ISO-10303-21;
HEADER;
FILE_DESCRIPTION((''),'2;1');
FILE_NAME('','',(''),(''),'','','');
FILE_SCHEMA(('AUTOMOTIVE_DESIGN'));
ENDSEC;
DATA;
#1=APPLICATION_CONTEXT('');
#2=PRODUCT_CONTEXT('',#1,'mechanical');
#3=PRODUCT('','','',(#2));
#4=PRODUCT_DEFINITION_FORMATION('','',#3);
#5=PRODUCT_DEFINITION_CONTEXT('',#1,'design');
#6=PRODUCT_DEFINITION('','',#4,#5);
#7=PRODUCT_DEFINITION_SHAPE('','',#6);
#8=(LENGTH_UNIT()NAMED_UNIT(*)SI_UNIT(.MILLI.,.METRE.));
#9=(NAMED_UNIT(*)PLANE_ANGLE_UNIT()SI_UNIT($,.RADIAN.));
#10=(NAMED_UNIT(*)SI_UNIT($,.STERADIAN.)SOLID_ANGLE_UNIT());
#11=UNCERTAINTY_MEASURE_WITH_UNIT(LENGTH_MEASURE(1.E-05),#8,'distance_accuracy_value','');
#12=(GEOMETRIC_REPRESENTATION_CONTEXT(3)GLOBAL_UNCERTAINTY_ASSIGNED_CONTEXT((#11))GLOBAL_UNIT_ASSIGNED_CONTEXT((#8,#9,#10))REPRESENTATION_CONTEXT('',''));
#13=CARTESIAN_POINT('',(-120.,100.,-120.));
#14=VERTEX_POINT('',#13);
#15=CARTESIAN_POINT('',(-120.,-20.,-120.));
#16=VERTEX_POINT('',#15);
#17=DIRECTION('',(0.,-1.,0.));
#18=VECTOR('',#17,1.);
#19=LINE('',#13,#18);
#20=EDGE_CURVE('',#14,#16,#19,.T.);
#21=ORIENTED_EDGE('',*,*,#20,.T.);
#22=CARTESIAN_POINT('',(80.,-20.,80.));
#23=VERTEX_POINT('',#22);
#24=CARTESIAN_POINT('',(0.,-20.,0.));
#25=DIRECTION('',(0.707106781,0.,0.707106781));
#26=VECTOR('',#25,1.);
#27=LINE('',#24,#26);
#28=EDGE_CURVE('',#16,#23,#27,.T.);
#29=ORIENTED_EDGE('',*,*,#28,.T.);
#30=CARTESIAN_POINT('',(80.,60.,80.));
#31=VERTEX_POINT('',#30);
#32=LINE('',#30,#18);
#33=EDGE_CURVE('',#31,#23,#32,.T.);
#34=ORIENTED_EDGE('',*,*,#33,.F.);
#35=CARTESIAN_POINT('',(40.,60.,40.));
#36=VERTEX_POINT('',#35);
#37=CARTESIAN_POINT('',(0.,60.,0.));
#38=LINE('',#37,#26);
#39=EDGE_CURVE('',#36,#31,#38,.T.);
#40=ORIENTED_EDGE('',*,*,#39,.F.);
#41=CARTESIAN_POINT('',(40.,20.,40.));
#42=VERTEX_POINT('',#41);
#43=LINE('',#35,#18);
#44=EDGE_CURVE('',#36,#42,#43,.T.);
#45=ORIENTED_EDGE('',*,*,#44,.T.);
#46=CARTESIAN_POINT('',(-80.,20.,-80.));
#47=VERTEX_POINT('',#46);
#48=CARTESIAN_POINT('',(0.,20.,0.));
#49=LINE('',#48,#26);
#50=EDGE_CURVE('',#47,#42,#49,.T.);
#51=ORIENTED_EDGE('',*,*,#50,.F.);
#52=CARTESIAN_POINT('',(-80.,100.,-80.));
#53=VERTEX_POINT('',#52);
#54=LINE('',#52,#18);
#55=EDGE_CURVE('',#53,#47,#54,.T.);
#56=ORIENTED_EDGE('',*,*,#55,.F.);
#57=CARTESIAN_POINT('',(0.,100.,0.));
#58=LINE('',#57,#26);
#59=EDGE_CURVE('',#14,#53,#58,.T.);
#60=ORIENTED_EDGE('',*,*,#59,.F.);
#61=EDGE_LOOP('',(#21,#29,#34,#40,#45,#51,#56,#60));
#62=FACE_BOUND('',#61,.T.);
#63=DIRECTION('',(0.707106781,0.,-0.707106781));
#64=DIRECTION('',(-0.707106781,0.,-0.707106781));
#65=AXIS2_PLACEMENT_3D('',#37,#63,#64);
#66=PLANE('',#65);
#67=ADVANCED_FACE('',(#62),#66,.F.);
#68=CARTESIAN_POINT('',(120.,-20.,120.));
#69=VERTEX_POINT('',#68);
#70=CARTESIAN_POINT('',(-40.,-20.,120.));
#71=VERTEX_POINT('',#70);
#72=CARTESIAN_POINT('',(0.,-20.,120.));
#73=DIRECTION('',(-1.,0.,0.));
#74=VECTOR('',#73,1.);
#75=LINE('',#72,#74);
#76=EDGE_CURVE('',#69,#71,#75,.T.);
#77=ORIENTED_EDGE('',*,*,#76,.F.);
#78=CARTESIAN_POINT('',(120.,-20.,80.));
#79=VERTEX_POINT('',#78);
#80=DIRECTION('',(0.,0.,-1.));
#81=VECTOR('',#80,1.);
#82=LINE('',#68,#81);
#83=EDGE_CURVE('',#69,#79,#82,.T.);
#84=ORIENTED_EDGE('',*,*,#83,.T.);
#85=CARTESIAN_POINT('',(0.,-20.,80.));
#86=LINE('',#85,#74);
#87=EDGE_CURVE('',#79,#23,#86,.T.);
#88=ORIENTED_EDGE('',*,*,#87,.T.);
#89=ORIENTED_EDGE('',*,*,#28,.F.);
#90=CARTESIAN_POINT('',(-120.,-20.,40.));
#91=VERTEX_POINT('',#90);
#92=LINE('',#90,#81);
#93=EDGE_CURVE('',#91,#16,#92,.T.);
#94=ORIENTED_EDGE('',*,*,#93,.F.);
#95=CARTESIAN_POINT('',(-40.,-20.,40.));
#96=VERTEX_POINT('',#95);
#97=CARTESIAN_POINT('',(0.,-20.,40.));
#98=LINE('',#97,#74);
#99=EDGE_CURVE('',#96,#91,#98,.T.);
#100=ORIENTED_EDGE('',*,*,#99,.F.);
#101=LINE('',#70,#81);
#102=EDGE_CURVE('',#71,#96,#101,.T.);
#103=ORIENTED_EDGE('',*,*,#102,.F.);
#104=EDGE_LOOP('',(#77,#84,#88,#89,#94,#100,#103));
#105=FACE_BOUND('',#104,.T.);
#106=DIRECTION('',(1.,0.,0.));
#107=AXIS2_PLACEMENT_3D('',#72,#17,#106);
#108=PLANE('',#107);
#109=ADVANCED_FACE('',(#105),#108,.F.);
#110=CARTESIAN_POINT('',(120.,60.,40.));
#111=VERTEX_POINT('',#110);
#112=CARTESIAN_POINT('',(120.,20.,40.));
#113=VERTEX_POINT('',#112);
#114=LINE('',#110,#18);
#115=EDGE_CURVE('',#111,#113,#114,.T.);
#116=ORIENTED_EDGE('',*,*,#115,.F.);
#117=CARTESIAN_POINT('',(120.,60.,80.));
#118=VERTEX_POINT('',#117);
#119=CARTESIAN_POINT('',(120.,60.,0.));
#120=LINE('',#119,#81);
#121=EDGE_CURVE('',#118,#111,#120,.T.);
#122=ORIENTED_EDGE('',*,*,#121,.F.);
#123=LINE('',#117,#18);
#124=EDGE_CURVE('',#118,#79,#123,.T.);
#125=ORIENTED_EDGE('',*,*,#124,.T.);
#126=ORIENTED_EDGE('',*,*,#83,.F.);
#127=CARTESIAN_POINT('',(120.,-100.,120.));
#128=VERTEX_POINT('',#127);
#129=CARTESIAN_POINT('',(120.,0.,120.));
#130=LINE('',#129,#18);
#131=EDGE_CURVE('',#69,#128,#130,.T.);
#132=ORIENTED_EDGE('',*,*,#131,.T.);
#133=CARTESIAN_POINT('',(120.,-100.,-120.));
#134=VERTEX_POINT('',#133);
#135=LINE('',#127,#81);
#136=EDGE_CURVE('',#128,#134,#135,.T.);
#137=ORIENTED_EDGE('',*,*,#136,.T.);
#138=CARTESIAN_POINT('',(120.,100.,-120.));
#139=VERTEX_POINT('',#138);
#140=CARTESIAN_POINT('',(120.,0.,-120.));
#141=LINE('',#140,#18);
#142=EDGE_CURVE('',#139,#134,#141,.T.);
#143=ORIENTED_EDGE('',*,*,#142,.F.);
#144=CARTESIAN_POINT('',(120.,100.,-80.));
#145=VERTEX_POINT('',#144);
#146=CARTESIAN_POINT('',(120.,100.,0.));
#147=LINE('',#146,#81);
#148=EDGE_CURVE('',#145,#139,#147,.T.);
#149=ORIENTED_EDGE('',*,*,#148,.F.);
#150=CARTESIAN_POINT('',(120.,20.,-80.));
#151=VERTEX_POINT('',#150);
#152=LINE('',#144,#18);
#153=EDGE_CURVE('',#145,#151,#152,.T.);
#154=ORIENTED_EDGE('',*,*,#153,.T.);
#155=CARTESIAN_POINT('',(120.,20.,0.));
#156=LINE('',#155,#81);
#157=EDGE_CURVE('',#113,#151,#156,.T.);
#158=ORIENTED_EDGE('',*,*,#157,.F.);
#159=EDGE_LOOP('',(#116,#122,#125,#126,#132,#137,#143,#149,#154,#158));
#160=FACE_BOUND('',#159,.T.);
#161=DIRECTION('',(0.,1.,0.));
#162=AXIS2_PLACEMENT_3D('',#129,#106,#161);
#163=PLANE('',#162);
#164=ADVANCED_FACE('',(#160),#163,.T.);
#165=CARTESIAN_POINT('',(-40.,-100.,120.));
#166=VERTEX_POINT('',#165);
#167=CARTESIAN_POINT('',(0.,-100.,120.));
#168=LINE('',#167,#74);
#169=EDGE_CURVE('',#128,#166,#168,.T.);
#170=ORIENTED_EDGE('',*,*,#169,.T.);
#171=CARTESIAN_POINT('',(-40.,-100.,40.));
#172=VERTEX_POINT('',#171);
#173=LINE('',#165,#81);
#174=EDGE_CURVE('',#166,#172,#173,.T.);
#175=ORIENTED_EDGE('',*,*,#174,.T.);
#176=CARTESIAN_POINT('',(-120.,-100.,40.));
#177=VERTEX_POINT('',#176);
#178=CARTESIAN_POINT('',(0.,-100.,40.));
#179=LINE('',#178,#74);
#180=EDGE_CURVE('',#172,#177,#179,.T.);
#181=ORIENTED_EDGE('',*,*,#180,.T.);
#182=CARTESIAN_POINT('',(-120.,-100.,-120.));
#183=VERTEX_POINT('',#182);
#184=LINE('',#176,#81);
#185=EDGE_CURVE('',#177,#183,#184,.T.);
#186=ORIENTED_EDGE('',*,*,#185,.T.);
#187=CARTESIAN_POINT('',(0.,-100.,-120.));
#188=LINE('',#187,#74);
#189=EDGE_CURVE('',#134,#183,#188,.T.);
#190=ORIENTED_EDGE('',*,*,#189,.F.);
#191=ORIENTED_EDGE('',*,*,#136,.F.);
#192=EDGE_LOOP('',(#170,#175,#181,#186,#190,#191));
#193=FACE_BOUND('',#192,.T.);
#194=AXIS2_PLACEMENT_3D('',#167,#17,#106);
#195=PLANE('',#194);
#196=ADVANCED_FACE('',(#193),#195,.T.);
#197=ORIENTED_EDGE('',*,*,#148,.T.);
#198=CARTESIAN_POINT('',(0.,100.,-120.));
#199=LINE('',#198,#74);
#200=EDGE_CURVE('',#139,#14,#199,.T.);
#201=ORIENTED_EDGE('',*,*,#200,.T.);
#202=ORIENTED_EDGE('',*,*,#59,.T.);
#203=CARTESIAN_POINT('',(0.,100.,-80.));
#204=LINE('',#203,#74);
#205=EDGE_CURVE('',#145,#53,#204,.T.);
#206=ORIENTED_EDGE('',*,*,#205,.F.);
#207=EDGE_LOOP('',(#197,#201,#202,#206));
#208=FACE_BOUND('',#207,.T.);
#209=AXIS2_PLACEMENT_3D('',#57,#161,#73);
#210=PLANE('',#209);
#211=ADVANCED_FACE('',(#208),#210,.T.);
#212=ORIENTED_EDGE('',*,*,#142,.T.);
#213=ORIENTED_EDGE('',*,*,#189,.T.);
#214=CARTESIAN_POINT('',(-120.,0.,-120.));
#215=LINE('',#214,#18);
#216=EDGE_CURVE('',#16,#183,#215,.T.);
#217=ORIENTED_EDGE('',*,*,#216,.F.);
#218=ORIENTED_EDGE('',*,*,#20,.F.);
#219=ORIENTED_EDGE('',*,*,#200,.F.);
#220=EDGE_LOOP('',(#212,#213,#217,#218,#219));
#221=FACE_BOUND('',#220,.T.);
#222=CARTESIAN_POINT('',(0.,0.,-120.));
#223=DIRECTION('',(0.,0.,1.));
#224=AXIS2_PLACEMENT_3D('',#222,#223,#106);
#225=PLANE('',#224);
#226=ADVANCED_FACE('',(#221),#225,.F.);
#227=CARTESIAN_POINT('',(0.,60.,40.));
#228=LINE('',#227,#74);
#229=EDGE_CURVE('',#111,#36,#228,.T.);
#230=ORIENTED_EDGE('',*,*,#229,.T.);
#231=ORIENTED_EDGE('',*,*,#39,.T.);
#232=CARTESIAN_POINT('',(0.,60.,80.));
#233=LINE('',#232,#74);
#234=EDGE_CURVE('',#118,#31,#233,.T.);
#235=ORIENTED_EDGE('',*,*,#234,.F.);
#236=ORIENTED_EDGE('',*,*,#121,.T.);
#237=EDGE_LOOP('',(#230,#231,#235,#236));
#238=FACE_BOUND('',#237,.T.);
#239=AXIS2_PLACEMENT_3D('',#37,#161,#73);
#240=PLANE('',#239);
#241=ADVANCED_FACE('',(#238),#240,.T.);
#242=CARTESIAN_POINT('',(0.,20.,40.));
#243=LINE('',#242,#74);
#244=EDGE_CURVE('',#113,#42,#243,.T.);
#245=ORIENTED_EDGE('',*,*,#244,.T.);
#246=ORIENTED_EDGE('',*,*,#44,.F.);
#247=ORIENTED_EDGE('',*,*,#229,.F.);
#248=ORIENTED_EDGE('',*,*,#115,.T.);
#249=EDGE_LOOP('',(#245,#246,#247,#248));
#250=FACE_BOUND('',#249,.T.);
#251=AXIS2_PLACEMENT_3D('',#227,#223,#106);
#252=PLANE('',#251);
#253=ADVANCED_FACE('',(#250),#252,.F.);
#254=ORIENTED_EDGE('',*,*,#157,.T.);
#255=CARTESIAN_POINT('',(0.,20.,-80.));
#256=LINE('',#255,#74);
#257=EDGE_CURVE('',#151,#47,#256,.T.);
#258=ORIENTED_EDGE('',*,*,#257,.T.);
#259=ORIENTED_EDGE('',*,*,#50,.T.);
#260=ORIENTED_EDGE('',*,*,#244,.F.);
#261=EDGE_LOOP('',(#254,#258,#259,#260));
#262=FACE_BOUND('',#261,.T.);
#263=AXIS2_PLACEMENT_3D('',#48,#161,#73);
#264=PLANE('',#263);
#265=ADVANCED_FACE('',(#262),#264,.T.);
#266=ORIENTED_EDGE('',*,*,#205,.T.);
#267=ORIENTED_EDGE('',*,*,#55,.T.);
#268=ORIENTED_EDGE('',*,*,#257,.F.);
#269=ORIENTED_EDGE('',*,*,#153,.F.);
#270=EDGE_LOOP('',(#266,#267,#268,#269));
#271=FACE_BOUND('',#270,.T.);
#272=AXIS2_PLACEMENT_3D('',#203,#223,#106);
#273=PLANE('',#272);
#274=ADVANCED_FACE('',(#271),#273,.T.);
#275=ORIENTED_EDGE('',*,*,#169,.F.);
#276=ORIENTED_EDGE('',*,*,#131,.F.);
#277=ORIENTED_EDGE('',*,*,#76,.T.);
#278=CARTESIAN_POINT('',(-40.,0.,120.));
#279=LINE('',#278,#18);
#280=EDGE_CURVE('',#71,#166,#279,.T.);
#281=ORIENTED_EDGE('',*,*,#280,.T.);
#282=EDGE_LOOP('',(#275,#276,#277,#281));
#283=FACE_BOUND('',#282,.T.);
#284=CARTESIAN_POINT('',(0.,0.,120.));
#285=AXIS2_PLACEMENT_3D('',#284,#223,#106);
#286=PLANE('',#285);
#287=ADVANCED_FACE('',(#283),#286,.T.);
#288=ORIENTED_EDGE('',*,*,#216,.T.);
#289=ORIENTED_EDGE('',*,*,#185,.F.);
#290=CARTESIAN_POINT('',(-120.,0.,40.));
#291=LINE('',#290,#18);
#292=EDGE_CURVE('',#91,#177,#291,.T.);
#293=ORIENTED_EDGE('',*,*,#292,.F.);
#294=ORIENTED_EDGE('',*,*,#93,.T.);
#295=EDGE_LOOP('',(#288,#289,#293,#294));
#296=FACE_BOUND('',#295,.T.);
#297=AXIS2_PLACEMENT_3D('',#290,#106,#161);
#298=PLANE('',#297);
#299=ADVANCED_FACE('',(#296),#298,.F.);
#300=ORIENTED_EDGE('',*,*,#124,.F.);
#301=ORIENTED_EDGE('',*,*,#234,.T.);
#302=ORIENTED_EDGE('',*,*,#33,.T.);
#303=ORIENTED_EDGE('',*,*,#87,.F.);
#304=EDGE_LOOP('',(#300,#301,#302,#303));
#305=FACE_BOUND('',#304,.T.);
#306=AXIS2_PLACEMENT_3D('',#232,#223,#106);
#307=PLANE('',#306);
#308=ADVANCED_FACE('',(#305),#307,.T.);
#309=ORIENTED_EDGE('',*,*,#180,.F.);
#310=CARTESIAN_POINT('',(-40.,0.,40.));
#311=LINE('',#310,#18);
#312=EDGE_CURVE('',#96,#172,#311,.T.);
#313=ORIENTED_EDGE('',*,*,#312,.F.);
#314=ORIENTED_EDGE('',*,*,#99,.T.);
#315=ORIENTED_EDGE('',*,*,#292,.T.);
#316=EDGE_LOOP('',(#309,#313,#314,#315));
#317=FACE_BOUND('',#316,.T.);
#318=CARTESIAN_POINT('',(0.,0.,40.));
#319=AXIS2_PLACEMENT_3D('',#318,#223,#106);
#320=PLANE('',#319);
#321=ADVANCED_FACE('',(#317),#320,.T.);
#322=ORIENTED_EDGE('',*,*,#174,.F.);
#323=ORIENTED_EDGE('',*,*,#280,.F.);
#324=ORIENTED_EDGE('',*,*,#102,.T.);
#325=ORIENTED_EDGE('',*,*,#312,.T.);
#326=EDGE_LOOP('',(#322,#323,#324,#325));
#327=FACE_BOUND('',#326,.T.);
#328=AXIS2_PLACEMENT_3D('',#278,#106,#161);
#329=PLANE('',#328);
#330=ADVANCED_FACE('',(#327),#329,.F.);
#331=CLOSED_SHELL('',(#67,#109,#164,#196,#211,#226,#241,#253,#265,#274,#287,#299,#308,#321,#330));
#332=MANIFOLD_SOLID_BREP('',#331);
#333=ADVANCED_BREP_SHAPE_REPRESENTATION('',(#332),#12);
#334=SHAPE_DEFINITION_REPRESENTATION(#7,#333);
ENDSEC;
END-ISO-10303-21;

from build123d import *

# Parameters (mm, degrees)
BOSS_EXTRUDE1_DEPTH = 120
SKETCH1_3_W         = 80
SKETCH1_3_H         = 80
BOSS_EXTRUDE2_DEPTH = 40
BOSS_EXTRUDE3_DEPTH = 120
SKETCH1_5_W         = 80
SKETCH1_5_H         = 80
BOSS_EXTRUDE4_DEPTH = 120
BOSS_EXTRUDE7_DEPTH = 80
BOSS_EXTRUDE8_DEPTH = 120
BOSS_EXTRUDE9_DEPTH = 40


with BuildPart() as part:
    # Sketch1 → Boss-Extrude1 (new body)
    with BuildSketch(Plane.XY):
        Polygon((120, -100), (120, -20), (80, -20), (-40, -20), (-40, -100), align=None)
    extrude(amount=BOSS_EXTRUDE1_DEPTH)

    # Sketch1<3> → Boss-Extrude2 (add)
    with BuildSketch(Plane.XY):
        with Locations((-80, -60)):
            Rectangle(SKETCH1_3_W, SKETCH1_3_H)
    extrude(amount=BOSS_EXTRUDE2_DEPTH)

    # Sketch1<4> → Boss-Extrude3 (add)
    with BuildSketch(Plane.XY):
        Polygon((120, -100), (120, -20), (80, -20), (-40, -20), (-40, -100), align=None)
    extrude(amount=-BOSS_EXTRUDE3_DEPTH)

    # Sketch1<5> → Boss-Extrude4 (add)
    with BuildSketch(Plane.XY):
        with Locations((-80, -60)):
            Rectangle(SKETCH1_5_W, SKETCH1_5_H)
    extrude(amount=-BOSS_EXTRUDE4_DEPTH)

    # Sketch4 → Boss-Extrude7 (add)
    with BuildSketch(Plane(origin=(0, -20, 0), x_dir=(1, 0, 0), z_dir=(0, 1, 0))):
        Polygon((80, -80), (120, -80), (120, -40), (40, -40), align=None)
    extrude(amount=BOSS_EXTRUDE7_DEPTH)

    # Sketch4<3> → Boss-Extrude8 (add)
    with BuildSketch(Plane(origin=(0, -20, 0), x_dir=(1, 0, 0), z_dir=(0, 1, 0))):
        Polygon((-80, 80), (120, 80), (120, 120), (-120, 120), align=None)
    extrude(amount=BOSS_EXTRUDE8_DEPTH)

    # Sketch4<4> → Boss-Extrude9 (add)
    with BuildSketch(Plane(origin=(0, -20, 0), x_dir=(1, 0, 0), z_dir=(0, 1, 0))):
        Polygon((40, -40), (120, -40), (120, 80), (-80, 80), align=None)
    extrude(amount=BOSS_EXTRUDE9_DEPTH)


solid = part.part
